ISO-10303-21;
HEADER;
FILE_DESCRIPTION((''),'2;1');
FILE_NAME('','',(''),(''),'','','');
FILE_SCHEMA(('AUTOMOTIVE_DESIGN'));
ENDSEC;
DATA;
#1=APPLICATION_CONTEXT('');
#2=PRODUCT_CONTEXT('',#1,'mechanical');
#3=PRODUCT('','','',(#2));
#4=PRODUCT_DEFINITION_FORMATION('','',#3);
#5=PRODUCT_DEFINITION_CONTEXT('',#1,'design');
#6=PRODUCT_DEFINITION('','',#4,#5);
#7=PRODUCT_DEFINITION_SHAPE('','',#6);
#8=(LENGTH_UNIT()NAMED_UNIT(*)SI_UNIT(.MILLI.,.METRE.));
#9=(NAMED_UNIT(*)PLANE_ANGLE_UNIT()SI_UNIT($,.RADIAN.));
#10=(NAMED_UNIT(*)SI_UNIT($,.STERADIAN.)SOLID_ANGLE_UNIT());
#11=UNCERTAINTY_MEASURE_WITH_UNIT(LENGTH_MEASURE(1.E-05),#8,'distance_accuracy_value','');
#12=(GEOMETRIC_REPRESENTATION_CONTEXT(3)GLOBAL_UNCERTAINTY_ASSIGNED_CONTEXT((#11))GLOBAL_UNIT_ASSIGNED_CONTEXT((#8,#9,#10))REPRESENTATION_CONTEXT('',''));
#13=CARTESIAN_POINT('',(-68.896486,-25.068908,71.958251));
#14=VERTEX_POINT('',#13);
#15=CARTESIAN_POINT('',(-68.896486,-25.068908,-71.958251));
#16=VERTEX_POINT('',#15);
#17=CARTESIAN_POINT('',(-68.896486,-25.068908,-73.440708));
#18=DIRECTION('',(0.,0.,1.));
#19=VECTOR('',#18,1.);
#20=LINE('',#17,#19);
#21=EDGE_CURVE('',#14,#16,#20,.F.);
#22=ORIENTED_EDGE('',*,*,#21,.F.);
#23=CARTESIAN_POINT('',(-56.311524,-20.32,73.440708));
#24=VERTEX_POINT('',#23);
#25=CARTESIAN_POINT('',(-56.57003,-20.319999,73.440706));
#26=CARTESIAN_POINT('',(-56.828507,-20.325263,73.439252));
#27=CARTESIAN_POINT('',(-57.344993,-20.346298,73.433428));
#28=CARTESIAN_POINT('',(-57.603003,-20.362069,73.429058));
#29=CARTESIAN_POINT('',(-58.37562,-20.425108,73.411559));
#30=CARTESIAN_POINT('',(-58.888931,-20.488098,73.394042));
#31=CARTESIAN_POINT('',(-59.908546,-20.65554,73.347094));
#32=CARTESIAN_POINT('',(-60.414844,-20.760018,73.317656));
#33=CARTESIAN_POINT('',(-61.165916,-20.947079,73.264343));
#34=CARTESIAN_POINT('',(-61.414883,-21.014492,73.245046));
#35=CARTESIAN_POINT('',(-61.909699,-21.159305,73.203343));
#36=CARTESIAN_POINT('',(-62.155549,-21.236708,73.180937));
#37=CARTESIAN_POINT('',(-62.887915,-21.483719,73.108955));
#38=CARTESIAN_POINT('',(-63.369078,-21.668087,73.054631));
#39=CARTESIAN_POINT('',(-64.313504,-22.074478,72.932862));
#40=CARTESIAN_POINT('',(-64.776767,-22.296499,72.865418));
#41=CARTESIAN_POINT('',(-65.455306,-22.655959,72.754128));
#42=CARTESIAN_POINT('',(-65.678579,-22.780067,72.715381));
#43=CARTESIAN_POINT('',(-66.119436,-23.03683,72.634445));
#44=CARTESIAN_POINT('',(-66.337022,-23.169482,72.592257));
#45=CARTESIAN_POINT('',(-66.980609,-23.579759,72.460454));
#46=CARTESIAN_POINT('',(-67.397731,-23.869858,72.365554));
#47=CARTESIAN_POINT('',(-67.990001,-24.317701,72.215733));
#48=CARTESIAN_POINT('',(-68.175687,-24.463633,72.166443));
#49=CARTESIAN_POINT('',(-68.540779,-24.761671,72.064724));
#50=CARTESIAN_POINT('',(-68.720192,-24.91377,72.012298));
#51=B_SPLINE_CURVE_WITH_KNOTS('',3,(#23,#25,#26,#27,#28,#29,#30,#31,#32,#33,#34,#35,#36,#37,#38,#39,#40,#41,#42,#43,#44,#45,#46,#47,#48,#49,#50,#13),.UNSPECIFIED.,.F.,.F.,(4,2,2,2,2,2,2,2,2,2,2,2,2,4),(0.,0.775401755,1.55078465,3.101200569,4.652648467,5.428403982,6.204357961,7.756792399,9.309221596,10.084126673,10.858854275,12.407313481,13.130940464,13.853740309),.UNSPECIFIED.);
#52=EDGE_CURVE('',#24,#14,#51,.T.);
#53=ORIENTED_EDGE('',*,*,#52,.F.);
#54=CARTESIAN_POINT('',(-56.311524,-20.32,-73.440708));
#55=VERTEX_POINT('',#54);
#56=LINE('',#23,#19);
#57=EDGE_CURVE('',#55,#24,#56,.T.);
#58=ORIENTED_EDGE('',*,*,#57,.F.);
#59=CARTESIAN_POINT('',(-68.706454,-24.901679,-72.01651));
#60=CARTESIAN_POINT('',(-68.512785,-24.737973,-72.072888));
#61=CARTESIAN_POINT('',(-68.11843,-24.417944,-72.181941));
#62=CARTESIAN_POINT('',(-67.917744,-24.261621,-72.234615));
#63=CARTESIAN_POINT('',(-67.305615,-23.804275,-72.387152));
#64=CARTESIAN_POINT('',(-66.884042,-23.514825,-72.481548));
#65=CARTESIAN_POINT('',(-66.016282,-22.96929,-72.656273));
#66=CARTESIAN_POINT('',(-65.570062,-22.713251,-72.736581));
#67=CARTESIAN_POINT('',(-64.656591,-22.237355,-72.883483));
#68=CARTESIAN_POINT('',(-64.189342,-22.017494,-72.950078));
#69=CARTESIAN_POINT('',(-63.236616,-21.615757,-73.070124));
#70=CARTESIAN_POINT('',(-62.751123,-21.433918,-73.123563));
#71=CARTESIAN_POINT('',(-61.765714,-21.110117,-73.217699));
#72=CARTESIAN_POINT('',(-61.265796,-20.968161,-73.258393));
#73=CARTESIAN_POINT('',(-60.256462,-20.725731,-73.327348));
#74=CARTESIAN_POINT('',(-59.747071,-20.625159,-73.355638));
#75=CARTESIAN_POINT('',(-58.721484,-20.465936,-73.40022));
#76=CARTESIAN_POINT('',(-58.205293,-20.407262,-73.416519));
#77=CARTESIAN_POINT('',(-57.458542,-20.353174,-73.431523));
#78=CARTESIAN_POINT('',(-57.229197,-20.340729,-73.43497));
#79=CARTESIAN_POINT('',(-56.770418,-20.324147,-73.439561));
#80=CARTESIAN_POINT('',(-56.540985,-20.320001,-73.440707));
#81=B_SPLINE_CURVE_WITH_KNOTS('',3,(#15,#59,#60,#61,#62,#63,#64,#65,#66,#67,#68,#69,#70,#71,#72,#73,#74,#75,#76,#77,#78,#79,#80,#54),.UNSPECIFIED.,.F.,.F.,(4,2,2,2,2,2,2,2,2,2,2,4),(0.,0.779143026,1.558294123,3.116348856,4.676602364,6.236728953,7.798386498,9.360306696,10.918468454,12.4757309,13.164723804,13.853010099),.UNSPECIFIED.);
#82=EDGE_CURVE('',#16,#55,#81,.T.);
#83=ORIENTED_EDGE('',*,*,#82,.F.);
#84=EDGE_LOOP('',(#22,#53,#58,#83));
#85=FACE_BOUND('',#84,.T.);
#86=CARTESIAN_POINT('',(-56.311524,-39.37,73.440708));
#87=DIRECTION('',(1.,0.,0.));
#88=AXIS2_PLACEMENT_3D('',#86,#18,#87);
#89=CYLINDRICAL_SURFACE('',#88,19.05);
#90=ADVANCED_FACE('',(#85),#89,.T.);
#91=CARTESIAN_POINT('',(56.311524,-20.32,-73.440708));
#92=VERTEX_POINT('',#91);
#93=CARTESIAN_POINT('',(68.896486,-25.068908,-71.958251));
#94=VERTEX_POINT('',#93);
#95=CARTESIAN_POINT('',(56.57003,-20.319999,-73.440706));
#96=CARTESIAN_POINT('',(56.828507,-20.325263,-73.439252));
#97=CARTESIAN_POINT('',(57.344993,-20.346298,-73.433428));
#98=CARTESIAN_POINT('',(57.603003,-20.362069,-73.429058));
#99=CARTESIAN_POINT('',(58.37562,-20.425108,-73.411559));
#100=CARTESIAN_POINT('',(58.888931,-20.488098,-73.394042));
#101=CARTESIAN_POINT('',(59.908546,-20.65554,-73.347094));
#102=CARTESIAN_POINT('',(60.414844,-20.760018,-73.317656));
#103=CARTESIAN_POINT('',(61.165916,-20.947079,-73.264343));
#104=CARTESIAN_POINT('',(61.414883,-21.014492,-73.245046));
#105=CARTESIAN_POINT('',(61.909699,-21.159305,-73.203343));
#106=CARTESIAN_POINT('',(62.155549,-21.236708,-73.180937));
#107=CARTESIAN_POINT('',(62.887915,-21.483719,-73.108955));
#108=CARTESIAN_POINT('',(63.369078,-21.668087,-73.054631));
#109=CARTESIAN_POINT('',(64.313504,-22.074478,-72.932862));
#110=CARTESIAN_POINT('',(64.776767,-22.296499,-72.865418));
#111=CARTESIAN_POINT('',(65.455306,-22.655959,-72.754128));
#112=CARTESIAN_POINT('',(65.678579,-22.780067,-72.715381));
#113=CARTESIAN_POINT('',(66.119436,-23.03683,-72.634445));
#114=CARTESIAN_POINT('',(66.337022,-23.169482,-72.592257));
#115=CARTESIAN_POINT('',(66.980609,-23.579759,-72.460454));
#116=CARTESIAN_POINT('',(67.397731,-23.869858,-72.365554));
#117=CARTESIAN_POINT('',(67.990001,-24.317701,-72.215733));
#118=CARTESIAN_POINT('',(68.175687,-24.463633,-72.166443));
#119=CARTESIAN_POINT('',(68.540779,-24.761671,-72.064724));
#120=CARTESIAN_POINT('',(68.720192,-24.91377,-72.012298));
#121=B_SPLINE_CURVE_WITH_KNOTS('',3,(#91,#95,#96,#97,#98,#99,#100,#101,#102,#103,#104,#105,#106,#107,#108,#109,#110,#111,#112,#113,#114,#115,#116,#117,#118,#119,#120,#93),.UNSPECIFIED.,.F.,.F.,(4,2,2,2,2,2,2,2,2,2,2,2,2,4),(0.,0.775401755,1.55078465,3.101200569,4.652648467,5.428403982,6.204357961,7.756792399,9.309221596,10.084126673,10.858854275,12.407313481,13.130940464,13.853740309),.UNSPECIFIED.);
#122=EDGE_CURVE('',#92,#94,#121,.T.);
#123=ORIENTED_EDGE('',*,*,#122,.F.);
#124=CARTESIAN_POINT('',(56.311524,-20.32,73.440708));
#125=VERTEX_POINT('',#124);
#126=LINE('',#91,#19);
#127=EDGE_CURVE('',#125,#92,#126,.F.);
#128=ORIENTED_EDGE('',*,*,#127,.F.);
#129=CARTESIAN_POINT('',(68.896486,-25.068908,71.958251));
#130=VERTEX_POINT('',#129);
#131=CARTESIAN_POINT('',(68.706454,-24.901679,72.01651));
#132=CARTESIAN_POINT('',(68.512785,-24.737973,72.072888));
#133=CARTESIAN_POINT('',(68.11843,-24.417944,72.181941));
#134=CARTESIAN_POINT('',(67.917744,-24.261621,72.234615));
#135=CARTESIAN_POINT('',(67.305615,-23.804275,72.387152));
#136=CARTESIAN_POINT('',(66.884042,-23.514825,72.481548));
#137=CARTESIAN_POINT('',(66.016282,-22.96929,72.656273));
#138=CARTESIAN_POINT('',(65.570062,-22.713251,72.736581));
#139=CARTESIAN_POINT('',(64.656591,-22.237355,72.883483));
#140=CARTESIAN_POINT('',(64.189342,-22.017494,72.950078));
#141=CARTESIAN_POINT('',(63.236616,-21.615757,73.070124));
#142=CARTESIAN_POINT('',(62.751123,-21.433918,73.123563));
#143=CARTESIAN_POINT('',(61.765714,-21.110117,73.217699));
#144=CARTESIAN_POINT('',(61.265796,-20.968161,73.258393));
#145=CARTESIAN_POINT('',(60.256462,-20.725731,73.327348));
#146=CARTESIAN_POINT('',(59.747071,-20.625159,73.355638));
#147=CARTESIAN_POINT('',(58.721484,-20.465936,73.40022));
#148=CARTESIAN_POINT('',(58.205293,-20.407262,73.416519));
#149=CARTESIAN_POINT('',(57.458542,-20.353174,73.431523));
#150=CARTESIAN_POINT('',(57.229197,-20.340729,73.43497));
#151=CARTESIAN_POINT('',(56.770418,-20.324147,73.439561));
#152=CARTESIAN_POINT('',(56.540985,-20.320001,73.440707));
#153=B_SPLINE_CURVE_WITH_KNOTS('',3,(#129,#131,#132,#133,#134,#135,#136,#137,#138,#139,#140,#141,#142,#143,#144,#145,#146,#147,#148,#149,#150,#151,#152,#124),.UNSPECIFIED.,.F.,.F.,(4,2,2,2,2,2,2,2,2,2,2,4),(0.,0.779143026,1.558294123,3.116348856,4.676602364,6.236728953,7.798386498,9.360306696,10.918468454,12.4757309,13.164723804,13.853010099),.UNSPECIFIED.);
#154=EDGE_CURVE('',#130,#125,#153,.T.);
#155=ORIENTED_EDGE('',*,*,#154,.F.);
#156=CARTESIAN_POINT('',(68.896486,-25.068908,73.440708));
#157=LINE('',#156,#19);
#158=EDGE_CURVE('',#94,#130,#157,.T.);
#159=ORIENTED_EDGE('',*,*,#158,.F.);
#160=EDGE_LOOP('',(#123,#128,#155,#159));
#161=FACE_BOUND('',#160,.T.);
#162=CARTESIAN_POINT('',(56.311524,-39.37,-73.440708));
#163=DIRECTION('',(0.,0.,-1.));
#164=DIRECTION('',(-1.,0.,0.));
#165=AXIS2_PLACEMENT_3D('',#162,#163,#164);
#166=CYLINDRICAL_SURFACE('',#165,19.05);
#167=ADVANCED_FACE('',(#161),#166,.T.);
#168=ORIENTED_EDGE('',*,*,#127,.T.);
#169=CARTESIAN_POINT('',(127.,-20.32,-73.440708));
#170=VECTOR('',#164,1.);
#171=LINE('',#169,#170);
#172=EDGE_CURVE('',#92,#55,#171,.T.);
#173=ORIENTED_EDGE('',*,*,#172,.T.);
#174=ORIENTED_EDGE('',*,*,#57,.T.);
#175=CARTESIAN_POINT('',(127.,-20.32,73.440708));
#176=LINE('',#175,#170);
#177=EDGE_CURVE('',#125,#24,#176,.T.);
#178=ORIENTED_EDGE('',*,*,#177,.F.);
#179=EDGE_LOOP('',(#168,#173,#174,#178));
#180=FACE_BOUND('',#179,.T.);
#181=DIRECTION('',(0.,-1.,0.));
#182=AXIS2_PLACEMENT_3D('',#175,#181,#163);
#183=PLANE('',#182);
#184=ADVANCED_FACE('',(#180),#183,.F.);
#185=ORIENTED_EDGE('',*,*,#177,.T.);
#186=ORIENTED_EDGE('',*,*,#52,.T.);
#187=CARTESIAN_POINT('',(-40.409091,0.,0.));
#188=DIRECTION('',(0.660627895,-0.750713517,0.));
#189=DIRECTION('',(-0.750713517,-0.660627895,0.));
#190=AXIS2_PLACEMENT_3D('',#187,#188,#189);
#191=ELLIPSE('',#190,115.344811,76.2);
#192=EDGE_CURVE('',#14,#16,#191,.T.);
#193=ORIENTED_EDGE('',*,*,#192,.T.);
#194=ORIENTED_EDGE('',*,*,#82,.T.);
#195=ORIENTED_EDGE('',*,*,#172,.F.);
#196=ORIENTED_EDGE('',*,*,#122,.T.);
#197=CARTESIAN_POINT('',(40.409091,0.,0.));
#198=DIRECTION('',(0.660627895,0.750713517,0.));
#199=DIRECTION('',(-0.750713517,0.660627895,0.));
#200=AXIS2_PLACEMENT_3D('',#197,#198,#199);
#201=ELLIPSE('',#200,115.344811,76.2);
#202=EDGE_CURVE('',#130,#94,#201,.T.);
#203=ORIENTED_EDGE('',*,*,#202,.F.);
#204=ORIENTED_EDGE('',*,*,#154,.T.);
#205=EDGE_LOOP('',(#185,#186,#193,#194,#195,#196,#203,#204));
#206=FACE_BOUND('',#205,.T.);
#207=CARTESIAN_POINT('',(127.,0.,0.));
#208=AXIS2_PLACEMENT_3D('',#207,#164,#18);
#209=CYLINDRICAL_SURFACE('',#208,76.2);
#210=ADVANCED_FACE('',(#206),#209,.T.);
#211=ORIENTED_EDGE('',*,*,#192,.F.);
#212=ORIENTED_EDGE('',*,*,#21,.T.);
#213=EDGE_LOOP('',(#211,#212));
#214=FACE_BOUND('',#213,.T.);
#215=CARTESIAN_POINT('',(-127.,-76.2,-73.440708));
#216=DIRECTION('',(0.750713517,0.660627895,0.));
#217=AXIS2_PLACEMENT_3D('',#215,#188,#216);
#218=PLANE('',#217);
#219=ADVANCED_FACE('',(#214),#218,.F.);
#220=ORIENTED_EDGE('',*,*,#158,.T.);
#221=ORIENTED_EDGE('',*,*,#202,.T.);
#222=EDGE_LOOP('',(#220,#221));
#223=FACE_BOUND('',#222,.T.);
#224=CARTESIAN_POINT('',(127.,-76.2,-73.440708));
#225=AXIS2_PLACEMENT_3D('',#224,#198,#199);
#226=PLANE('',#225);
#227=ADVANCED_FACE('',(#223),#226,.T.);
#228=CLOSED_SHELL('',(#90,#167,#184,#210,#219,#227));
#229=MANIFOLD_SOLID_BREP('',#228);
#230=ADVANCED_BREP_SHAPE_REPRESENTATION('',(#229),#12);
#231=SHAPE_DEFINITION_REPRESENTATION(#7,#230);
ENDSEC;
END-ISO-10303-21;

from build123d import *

# Parameters (mm, degrees)
BOSS_EXTRUDE1_DEPTH = 127
CUT_EXTRUDE3_DEPTH  = 166.314783368
FILLET3_R           = 19.05


with BuildPart() as part:
    # Sketch1 → Boss-Extrude1 (new, symmetric)
    with BuildSketch(Plane(origin=(0, 0, 0), x_dir=(0, 0, -1), z_dir=(1, 0, 0))):
        with BuildLine():
            Line((-73.440708058, -20.32), (73.440708058, -20.32))
            ThreePointArc((73.440708058, -20.32), (0, -76.2), (-73.440708058, -20.32))
        make_face()
    extrude(amount=BOSS_EXTRUDE1_DEPTH, both=True)

    # Sketch7 → Cut-Extrude3 (cut, symmetric)
    with BuildSketch(Plane.XY):
        Polygon((-63.5, -20.32), (-127, -20.32), (-127, -76.2), align=None)
    cut_extrude3 = extrude(amount=CUT_EXTRUDE3_DEPTH, both=True, mode=Mode.SUBTRACT)

    # Mirror4: Cut-Extrude3 across plane
    add(cut_extrude3.mirror(Plane(origin=(0, 0, 0), x_dir=(0, 0, 1), z_dir=(1, 0, 0))), mode=Mode.SUBTRACT)

    # Fillet3
    fillet3_edges = [part.edges().sort_by_distance(p)[0] for p in [
        (63.5, -20.32, 0),
        (-63.5, -20.32, 0),
    ]]
    fillet(fillet3_edges, radius=FILLET3_R)


with BuildPart() as body_2:
    # Split1: the piece on the far side of the plane
    add(part.part)
    split(bisect_by=Plane(origin=(0, 0, 0), x_dir=(0, 0, 1), z_dir=(1, 0, 0)), keep=Keep.BOTTOM)


with BuildPart() as part_1:
    add(part.part)

    # Split1
    split(bisect_by=Plane(origin=(0, 0, 0), x_dir=(0, 0, 1), z_dir=(1, 0, 0)), keep=Keep.TOP)


with BuildPart() as body_2_1:
    add(body_2.part)

    # Combine1: union part
    add(part_1.part)


solid = body_2_1.part
